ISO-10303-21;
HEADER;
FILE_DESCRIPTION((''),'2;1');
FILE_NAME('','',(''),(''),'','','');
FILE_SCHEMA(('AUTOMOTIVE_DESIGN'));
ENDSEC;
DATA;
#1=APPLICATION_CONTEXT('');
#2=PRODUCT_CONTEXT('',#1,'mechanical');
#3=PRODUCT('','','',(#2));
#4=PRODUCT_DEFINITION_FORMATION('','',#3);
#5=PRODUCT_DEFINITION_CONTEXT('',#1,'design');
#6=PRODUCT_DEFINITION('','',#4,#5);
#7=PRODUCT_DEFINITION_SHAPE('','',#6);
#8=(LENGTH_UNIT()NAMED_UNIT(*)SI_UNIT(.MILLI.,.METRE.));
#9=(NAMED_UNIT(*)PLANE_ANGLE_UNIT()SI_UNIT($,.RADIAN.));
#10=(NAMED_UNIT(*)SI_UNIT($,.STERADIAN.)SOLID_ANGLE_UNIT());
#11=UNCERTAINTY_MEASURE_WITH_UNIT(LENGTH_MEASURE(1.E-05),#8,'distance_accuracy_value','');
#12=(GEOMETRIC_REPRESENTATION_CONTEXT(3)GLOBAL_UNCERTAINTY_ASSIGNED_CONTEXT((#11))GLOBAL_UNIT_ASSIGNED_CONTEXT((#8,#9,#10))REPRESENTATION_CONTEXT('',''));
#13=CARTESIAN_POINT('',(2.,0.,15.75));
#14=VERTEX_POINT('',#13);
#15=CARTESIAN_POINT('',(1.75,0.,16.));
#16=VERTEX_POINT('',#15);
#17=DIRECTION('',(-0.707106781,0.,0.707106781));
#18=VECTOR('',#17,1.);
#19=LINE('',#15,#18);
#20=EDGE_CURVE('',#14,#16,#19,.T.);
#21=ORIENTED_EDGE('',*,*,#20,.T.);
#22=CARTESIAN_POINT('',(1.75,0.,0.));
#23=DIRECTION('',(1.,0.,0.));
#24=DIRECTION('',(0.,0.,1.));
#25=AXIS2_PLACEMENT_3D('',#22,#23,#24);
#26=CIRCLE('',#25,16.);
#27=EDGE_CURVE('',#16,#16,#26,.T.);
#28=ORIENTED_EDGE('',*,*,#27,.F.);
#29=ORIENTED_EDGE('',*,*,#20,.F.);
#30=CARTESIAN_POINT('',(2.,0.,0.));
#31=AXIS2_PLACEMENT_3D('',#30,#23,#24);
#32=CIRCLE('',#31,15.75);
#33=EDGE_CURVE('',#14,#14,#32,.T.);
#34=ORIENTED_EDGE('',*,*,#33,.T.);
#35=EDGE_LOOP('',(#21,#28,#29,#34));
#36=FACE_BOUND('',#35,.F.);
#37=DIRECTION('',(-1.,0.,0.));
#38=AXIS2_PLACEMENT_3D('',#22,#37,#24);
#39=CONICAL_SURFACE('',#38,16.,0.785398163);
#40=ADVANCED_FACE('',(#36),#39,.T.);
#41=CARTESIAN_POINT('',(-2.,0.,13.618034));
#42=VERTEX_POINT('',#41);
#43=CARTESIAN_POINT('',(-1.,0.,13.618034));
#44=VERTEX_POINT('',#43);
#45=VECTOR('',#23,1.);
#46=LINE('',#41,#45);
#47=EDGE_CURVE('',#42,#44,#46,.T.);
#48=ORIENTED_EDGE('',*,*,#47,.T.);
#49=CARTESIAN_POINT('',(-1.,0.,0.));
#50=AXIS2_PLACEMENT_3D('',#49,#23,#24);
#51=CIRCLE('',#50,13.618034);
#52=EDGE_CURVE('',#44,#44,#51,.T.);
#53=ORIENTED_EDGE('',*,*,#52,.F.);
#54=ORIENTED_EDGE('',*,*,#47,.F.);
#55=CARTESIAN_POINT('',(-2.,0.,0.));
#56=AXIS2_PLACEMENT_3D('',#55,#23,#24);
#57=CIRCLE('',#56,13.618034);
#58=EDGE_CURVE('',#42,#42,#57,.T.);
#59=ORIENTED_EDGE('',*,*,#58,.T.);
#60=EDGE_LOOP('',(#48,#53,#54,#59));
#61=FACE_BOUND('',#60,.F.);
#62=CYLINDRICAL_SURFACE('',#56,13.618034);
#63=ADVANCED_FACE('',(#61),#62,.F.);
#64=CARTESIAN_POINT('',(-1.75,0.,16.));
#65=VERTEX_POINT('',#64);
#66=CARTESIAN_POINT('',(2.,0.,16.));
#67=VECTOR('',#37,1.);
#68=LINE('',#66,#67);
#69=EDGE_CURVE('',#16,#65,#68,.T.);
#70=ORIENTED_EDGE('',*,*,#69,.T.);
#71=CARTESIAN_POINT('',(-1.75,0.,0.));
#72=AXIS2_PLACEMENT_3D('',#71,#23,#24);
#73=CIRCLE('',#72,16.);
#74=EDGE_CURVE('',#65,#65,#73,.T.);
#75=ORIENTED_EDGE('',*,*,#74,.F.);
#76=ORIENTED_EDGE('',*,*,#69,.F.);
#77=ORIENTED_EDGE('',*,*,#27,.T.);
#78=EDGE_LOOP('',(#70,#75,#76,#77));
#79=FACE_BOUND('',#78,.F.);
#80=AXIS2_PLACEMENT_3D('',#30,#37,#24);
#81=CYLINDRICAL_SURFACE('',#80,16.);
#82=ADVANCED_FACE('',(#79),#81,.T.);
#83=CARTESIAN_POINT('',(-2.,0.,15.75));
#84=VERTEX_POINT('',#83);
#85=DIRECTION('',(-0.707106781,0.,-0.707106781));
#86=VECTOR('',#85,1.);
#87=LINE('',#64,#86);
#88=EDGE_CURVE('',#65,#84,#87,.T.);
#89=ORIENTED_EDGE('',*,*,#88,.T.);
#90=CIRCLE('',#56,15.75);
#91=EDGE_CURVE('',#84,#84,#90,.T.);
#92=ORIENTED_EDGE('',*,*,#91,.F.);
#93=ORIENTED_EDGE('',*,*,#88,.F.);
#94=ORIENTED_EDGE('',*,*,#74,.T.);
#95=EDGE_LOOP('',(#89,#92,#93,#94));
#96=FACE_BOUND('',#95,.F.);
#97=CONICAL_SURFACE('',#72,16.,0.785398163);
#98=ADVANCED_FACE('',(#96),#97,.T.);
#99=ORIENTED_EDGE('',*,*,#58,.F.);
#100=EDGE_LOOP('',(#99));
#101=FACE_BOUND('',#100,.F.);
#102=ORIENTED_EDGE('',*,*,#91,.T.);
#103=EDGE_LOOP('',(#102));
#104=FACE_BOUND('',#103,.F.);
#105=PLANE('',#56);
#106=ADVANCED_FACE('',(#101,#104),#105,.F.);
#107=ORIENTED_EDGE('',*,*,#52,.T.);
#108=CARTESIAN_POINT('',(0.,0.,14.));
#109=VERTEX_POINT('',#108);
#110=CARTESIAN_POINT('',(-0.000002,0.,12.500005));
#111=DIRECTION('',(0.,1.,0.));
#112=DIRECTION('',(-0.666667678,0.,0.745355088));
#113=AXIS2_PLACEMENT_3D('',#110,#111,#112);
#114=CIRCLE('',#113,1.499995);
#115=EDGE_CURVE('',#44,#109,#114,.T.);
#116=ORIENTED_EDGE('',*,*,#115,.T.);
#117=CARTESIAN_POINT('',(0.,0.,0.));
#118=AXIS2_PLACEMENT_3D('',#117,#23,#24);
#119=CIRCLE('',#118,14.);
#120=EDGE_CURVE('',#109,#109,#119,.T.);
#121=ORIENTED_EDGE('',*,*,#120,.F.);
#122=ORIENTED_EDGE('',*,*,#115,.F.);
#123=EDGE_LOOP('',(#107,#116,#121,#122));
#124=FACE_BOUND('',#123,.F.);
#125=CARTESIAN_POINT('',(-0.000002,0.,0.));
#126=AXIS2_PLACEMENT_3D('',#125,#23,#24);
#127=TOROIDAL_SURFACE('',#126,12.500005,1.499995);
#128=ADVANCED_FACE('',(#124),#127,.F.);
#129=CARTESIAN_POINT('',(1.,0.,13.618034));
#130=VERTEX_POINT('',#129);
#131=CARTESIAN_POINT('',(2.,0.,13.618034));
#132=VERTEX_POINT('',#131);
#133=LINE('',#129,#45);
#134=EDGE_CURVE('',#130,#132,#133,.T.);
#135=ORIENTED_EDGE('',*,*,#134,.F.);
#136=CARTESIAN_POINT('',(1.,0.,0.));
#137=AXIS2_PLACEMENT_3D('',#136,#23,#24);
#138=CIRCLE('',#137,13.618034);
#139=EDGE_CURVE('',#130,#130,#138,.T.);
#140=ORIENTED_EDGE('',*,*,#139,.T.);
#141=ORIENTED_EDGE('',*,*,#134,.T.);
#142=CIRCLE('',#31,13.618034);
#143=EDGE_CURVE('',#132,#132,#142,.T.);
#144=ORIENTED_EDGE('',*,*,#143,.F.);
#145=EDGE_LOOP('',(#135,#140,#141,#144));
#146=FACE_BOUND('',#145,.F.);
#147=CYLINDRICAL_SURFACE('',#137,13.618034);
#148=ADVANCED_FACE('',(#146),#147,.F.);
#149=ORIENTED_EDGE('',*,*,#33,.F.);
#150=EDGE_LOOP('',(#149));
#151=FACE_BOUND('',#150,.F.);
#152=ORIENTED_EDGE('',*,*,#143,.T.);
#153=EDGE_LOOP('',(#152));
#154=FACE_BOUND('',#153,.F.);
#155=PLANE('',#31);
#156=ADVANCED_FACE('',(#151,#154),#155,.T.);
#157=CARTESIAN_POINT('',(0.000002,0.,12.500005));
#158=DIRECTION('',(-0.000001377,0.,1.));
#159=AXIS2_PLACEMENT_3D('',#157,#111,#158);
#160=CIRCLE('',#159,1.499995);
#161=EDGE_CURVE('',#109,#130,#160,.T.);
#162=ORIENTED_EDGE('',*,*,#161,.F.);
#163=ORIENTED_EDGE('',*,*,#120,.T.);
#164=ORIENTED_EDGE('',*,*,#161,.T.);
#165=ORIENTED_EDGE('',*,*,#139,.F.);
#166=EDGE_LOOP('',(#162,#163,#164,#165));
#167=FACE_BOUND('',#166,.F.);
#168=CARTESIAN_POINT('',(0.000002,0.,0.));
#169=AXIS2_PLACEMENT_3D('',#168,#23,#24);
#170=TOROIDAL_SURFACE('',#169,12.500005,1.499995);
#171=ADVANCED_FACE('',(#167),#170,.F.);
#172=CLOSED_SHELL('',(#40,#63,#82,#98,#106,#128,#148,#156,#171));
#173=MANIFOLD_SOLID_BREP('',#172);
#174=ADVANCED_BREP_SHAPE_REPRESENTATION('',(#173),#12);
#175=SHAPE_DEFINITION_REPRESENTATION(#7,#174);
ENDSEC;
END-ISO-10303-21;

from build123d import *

# Parameters (mm, degrees)
F2_SIZE = 0.25


with BuildPart() as f1:
    # F0 (on Front) → F1 (revolve)
    with BuildSketch(Plane.XZ):
        with BuildLine():
            ThreePointArc((-1, 13.618034), (-0.535233, 13.901259), (0, 14))
            Line((0, 14), (0, 16))
            Line((0, 16), (-2, 16))
            Line((-2, 16), (-2, 13.618034))
            Line((-2, 13.618034), (-1, 13.618034))
        make_face()
        with BuildLine():
            ThreePointArc((0, 14), (0.535233, 13.901259), (1, 13.618034))
            Line((1, 13.618034), (2, 13.618034))
            Line((2, 13.618034), (2, 16))
            Line((2, 16), (0, 16))
            Line((0, 16), (0, 14))
        make_face()
    revolve(axis=Axis((28.429918, 0, 0), (1, 0, 0)))

    # F2
    f2_edges = [f1.edges().sort_by_distance(p)[0] for p in [
        (-2, 0, -16),
        (2, 0, -16),
    ]]
    chamfer(f2_edges, length=F2_SIZE)


solid = f1.part
